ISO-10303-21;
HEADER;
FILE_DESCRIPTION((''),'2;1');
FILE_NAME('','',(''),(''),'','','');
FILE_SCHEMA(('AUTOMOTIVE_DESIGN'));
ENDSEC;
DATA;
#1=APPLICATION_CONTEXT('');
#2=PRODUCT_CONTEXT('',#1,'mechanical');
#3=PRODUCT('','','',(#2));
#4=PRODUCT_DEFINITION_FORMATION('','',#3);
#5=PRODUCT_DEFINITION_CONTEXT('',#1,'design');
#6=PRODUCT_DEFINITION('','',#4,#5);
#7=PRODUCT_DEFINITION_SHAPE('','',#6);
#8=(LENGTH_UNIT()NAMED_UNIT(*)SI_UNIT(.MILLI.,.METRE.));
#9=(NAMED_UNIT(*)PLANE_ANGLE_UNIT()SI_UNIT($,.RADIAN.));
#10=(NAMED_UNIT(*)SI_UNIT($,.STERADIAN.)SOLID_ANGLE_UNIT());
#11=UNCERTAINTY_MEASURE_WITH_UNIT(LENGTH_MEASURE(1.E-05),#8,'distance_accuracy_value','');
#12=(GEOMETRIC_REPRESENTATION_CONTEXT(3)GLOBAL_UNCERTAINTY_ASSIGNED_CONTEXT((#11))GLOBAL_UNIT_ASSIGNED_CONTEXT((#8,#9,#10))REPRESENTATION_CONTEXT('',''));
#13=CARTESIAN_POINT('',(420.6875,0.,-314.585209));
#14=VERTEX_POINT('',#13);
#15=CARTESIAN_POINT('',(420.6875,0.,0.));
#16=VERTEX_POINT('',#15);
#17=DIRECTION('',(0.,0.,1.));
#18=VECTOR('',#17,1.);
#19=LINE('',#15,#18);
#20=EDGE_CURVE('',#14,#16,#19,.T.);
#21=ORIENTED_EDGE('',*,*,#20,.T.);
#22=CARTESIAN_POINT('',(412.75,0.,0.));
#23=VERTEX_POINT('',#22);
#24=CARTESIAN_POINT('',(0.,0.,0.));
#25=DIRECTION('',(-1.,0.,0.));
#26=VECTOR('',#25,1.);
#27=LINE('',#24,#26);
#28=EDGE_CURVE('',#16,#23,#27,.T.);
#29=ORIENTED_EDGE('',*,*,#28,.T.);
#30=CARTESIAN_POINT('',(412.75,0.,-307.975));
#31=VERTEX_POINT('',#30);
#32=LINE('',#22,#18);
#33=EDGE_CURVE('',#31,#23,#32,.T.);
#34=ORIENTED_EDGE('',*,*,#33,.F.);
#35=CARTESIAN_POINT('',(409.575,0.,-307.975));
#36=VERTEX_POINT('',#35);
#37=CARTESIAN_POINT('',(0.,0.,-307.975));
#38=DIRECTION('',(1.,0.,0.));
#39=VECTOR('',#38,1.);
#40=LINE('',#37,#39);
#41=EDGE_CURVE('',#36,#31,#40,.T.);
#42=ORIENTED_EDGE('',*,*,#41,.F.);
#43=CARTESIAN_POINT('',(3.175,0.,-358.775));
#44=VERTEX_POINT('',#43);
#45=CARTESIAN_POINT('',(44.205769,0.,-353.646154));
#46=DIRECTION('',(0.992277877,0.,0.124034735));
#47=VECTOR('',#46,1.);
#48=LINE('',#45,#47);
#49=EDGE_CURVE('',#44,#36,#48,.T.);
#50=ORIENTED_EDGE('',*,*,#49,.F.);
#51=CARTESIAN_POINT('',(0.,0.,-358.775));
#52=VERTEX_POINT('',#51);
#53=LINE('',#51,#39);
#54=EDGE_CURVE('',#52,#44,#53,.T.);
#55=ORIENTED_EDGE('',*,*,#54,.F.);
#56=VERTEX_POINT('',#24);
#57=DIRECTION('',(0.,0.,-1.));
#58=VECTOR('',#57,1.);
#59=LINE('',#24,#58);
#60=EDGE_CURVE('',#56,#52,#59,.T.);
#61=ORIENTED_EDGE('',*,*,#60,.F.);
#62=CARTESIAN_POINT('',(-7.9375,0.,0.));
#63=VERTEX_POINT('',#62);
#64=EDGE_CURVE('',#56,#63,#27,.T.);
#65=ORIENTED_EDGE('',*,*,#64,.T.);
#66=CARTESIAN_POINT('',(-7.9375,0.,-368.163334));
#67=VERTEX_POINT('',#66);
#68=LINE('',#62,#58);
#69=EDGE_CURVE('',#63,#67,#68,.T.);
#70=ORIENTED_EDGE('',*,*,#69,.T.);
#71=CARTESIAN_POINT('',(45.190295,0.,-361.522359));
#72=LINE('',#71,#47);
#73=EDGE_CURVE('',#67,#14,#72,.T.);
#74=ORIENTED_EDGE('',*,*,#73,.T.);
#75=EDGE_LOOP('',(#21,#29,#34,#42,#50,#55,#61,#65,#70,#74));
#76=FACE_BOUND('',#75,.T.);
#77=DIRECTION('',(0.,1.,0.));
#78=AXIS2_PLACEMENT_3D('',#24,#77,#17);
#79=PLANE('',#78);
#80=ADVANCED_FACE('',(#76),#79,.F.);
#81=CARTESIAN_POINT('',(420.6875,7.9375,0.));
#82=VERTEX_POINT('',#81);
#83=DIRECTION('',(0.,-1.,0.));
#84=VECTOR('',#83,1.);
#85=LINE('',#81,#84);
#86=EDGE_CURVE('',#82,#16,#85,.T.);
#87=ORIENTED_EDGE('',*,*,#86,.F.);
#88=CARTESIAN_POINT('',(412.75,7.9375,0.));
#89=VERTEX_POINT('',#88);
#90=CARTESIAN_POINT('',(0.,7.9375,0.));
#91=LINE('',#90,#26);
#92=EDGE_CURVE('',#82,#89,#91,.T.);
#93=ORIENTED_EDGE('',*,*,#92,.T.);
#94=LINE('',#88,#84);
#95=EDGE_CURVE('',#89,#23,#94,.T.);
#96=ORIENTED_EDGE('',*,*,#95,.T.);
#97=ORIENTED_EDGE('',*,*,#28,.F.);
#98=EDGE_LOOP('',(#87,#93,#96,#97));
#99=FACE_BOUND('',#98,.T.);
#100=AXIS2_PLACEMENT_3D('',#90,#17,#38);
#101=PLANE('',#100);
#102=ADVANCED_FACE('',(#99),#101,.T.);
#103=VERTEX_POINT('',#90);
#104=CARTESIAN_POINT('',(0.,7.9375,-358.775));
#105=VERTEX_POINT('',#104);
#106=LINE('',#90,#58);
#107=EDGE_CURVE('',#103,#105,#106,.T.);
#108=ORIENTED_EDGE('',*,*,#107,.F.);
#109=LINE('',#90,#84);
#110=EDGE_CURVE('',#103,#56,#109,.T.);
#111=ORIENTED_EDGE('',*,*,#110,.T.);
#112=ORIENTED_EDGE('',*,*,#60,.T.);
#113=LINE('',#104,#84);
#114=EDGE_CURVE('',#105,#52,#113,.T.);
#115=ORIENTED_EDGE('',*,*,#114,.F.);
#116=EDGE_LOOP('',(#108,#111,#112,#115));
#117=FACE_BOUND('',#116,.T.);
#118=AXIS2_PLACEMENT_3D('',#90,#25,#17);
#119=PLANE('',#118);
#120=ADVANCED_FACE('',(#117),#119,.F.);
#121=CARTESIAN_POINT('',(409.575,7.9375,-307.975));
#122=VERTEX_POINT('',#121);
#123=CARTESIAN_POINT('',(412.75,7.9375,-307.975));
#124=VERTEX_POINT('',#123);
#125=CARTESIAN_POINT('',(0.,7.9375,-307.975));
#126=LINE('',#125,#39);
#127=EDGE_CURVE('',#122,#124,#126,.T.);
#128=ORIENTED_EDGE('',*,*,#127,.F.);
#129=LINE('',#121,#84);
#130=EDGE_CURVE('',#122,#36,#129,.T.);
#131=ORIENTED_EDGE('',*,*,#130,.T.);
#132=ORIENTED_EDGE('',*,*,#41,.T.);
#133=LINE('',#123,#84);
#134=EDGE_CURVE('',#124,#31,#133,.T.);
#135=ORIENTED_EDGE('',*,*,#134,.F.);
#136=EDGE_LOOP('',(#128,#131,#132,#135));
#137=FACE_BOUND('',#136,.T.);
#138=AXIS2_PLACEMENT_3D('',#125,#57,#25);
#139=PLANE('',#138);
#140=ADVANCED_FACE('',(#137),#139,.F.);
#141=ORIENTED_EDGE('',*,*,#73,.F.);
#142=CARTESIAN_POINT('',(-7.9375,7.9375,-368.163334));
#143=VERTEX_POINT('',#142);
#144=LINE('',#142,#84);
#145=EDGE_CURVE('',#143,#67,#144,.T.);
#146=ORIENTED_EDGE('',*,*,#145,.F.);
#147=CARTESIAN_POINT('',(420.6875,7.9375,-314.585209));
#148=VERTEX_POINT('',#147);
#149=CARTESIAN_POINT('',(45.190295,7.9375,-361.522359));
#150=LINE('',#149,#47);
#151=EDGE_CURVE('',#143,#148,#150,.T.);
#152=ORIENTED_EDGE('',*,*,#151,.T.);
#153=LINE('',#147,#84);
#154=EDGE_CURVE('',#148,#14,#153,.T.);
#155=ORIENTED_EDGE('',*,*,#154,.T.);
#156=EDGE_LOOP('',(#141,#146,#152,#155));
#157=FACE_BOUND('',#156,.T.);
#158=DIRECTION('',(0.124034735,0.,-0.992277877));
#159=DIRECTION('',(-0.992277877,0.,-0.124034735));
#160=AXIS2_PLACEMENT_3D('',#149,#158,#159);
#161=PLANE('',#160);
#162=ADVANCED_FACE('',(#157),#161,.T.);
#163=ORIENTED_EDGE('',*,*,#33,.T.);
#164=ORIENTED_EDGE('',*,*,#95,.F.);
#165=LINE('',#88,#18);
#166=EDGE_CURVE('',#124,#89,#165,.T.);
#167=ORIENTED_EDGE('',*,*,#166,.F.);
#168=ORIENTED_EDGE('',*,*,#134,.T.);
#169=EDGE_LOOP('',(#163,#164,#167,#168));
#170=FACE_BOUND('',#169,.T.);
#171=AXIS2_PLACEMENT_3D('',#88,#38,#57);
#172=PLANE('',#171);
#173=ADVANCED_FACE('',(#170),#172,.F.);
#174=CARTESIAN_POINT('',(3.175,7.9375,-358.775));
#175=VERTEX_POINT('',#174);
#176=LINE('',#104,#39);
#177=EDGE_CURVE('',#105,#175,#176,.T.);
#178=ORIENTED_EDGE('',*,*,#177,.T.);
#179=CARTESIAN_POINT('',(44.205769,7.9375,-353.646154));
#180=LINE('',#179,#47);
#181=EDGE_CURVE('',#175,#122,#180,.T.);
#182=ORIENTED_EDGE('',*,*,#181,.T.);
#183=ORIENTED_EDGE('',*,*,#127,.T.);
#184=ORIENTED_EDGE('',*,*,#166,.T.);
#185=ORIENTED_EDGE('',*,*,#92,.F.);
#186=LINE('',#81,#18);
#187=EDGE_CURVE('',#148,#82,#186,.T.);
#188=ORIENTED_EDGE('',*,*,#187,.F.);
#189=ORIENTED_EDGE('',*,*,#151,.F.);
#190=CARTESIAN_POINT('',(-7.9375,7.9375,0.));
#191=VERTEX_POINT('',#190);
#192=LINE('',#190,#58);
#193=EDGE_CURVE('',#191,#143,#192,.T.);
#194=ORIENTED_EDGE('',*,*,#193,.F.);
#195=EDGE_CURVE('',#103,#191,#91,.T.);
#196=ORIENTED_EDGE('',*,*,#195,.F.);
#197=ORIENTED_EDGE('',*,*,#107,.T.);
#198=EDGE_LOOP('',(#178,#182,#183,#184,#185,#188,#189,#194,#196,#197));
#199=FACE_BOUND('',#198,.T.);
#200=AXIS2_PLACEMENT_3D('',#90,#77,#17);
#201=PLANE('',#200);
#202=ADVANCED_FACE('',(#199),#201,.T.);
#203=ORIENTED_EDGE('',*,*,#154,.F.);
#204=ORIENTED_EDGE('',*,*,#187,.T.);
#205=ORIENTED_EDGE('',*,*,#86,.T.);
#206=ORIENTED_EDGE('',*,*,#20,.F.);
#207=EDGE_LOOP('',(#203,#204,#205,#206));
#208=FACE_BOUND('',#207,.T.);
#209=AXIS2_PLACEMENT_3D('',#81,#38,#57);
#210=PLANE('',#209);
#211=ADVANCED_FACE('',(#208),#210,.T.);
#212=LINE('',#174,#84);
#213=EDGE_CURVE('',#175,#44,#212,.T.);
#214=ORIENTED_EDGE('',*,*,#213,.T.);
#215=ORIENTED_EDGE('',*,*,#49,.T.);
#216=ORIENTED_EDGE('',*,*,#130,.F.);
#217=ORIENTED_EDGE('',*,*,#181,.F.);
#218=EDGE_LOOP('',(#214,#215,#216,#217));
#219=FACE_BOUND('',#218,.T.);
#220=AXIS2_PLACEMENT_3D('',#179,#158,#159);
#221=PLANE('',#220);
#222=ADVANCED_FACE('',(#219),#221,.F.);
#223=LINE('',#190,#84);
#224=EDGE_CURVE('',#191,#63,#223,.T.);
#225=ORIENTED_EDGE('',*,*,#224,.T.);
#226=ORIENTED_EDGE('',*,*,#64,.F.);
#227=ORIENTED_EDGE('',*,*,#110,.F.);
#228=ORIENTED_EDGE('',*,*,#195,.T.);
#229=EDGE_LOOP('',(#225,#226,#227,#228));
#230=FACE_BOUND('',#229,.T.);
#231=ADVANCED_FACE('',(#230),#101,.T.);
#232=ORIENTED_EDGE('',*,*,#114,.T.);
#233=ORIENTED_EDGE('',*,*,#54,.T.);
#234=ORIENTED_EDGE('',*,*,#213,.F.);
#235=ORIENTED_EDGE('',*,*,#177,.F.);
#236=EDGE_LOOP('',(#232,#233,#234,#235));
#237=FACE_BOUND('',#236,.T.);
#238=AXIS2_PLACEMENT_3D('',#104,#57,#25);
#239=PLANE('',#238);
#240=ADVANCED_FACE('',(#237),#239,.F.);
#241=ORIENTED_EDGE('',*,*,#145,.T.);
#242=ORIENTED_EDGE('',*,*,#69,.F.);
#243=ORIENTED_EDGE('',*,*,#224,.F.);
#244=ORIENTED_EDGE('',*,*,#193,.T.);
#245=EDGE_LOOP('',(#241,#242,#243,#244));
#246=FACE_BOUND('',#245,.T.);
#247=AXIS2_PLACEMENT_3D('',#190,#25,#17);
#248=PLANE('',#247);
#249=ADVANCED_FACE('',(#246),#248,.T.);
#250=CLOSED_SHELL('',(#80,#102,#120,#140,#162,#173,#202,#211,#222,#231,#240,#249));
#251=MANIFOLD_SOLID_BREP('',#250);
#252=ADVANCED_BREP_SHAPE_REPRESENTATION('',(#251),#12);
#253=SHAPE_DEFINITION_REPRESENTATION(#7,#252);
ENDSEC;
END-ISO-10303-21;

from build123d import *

# Parameters (mm, degrees)
BOSS_EXTRUDE1_DEPTH = 7.9375


with BuildPart() as part:
    # Sketch2 → Boss-Extrude1 (new body)
    with BuildSketch(Plane(origin=(0, 0, 0), x_dir=(1, 0, 0), z_dir=(0, 1, 0))):
        Polygon((420.6875, 0), (412.75, 0), (412.75, 307.975), (409.575, 307.975), (3.175, 358.775), (0, 358.775), (0, 0), (-7.9375, 0), (-7.9375, 368.16333386), (420.6875, 314.58520886), align=None)
    extrude(amount=BOSS_EXTRUDE1_DEPTH)


solid = part.part
